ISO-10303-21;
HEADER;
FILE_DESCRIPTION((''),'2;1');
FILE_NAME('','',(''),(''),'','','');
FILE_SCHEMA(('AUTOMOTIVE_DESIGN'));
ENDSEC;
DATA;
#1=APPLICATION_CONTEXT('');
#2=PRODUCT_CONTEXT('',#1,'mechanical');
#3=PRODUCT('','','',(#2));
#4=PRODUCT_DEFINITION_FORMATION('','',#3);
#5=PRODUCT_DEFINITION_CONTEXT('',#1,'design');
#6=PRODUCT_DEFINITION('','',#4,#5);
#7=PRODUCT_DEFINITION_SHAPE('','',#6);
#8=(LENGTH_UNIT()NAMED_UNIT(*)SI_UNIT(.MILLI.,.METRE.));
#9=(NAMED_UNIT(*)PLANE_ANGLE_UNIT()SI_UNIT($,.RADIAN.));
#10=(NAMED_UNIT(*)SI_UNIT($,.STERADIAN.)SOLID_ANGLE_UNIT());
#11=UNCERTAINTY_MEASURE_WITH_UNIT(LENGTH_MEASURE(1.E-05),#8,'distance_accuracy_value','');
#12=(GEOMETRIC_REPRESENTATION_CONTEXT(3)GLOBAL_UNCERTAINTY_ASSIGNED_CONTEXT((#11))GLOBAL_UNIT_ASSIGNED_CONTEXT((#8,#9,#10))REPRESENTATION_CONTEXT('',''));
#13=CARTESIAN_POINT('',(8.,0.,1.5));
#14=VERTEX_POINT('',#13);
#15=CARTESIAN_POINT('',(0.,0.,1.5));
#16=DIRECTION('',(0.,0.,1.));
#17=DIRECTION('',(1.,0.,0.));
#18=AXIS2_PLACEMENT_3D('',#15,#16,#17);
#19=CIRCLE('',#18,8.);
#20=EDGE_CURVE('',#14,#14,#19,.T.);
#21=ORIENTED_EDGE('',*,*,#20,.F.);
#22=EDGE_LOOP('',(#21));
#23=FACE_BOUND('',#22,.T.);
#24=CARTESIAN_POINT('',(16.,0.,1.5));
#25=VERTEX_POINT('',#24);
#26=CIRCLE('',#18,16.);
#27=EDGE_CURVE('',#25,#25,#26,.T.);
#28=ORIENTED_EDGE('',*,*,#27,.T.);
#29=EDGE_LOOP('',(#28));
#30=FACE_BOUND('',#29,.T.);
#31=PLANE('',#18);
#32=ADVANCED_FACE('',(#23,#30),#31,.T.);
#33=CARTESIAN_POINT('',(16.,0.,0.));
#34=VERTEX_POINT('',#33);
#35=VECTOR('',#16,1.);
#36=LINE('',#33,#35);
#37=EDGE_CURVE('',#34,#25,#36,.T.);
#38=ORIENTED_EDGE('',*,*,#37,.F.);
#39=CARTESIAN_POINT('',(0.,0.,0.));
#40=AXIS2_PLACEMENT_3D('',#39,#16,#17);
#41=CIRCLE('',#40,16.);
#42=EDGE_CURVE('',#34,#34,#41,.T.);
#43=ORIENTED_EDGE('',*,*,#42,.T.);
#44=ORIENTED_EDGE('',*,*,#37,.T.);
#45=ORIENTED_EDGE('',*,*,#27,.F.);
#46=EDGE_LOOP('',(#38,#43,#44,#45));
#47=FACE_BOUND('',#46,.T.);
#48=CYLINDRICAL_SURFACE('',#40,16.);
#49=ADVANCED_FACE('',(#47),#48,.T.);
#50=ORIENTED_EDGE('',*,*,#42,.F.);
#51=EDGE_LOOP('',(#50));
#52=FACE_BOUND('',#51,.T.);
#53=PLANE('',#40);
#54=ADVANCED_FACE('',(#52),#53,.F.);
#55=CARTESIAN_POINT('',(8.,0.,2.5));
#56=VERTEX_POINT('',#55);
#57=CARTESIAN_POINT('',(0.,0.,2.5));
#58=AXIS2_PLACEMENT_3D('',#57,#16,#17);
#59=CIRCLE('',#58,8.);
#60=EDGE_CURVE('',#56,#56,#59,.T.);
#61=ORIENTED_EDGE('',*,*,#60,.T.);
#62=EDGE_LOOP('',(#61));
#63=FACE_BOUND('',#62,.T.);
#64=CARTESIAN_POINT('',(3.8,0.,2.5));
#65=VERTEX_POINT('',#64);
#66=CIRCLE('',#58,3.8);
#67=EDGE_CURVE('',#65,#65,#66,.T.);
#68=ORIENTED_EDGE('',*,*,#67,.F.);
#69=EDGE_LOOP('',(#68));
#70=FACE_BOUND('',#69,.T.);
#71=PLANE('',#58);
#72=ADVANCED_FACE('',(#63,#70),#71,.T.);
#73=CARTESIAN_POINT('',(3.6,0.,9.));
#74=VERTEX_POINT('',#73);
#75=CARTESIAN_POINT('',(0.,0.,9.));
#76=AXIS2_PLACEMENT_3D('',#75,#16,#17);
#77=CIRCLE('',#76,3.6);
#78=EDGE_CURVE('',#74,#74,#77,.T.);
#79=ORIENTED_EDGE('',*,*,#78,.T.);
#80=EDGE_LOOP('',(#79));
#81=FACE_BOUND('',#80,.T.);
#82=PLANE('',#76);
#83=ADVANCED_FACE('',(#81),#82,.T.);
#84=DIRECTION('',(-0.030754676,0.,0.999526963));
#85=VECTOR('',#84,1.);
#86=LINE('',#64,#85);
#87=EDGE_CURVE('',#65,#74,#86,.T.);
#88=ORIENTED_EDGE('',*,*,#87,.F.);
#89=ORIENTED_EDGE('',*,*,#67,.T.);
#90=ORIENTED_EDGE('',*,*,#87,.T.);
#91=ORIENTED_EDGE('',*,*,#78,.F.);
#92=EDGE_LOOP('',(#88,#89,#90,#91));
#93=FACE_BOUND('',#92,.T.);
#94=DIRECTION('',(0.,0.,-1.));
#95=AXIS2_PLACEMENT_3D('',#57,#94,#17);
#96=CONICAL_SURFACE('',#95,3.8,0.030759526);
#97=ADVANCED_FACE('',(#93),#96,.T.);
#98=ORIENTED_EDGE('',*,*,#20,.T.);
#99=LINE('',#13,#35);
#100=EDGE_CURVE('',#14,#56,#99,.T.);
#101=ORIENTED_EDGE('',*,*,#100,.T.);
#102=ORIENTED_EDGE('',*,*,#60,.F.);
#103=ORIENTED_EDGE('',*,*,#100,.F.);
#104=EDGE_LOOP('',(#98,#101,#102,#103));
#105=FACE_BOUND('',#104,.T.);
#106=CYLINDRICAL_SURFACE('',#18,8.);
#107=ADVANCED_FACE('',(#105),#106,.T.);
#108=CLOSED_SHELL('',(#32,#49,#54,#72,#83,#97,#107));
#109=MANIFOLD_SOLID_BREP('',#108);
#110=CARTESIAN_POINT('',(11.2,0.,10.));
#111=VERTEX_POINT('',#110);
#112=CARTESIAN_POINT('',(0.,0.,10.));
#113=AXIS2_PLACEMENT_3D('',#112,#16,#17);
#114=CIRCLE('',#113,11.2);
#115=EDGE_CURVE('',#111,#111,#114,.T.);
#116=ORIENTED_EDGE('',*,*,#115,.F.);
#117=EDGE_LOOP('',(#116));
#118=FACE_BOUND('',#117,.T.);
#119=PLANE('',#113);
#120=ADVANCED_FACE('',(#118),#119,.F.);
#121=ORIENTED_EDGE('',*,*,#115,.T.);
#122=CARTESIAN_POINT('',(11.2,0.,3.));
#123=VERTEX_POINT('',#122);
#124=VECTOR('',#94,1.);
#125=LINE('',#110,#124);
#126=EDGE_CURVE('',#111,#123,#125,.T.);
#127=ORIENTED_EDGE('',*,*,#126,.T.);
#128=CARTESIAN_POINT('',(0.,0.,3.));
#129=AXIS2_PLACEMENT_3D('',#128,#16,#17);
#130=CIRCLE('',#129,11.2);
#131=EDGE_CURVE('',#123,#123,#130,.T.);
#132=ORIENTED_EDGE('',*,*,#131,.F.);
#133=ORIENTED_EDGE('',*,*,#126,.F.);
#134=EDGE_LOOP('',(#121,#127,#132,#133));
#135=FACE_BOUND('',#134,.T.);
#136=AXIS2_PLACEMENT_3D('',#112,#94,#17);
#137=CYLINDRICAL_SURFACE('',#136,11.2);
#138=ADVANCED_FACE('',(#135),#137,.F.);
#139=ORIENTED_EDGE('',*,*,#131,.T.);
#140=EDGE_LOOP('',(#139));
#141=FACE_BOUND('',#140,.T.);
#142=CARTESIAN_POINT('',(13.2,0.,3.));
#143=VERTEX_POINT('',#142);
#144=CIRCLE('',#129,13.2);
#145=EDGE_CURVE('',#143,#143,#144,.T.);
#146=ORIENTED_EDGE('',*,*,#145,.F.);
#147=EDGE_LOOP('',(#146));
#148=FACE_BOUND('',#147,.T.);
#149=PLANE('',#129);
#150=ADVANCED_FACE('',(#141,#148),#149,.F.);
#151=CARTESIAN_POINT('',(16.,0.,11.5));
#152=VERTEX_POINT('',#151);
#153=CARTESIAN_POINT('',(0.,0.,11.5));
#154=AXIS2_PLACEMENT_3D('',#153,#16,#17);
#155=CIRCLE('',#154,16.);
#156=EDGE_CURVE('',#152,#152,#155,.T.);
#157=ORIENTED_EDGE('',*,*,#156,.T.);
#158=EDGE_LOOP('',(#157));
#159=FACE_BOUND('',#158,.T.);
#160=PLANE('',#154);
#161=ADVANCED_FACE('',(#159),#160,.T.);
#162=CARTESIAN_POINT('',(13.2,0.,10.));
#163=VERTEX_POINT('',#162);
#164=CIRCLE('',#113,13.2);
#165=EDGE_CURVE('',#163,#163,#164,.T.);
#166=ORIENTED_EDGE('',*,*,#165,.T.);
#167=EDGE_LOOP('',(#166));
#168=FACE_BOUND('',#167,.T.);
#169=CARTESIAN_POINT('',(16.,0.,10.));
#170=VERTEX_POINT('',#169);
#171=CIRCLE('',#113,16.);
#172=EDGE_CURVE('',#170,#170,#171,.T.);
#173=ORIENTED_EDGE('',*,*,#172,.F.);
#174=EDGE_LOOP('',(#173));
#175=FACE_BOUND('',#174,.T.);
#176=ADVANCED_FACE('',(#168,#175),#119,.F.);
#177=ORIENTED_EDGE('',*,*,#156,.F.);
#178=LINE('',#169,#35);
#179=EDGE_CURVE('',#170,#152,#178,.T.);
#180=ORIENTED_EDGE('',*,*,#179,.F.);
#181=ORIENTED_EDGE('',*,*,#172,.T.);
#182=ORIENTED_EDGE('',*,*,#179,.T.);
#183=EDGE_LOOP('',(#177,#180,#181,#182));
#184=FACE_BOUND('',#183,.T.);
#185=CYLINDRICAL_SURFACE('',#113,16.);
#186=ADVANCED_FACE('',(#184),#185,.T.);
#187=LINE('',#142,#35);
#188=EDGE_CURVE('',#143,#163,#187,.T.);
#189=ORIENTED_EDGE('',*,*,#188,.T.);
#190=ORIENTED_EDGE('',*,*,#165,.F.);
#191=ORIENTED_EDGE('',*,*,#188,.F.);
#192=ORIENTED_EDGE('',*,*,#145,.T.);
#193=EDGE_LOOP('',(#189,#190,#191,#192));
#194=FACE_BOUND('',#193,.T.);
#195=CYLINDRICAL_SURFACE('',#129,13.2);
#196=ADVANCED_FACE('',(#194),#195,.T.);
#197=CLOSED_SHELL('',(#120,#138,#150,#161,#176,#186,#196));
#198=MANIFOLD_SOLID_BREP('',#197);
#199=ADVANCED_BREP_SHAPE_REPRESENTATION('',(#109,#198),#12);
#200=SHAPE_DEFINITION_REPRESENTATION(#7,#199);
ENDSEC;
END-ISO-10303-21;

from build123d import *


with BuildPart() as f1:
    # F0 (on Front) → F1 (revolve)
    with BuildSketch(Plane.XZ):
        Polygon((0, 9), (0, 0), (16, 0), (16, 1.5), (8, 1.5), (8, 2.5), (3.8, 2.5), (3.6, 9), align=None)
    revolve(axis=Axis((0, 0, 4.5), (0, 0, 1)))


with BuildPart() as f3:
    # F2 (on Front) → F3 (revolve)
    with BuildSketch(Plane.XZ):
        Polygon((0, 11.5), (0, 10), (11.2, 10), (11.2, 3), (13.2, 3), (13.2, 10), (16, 10), (16, 11.5), align=None)
    revolve(axis=Axis((0, 0, 10.75), (0, 0, 1)))


solid = Compound([f1.part, f3.part])
